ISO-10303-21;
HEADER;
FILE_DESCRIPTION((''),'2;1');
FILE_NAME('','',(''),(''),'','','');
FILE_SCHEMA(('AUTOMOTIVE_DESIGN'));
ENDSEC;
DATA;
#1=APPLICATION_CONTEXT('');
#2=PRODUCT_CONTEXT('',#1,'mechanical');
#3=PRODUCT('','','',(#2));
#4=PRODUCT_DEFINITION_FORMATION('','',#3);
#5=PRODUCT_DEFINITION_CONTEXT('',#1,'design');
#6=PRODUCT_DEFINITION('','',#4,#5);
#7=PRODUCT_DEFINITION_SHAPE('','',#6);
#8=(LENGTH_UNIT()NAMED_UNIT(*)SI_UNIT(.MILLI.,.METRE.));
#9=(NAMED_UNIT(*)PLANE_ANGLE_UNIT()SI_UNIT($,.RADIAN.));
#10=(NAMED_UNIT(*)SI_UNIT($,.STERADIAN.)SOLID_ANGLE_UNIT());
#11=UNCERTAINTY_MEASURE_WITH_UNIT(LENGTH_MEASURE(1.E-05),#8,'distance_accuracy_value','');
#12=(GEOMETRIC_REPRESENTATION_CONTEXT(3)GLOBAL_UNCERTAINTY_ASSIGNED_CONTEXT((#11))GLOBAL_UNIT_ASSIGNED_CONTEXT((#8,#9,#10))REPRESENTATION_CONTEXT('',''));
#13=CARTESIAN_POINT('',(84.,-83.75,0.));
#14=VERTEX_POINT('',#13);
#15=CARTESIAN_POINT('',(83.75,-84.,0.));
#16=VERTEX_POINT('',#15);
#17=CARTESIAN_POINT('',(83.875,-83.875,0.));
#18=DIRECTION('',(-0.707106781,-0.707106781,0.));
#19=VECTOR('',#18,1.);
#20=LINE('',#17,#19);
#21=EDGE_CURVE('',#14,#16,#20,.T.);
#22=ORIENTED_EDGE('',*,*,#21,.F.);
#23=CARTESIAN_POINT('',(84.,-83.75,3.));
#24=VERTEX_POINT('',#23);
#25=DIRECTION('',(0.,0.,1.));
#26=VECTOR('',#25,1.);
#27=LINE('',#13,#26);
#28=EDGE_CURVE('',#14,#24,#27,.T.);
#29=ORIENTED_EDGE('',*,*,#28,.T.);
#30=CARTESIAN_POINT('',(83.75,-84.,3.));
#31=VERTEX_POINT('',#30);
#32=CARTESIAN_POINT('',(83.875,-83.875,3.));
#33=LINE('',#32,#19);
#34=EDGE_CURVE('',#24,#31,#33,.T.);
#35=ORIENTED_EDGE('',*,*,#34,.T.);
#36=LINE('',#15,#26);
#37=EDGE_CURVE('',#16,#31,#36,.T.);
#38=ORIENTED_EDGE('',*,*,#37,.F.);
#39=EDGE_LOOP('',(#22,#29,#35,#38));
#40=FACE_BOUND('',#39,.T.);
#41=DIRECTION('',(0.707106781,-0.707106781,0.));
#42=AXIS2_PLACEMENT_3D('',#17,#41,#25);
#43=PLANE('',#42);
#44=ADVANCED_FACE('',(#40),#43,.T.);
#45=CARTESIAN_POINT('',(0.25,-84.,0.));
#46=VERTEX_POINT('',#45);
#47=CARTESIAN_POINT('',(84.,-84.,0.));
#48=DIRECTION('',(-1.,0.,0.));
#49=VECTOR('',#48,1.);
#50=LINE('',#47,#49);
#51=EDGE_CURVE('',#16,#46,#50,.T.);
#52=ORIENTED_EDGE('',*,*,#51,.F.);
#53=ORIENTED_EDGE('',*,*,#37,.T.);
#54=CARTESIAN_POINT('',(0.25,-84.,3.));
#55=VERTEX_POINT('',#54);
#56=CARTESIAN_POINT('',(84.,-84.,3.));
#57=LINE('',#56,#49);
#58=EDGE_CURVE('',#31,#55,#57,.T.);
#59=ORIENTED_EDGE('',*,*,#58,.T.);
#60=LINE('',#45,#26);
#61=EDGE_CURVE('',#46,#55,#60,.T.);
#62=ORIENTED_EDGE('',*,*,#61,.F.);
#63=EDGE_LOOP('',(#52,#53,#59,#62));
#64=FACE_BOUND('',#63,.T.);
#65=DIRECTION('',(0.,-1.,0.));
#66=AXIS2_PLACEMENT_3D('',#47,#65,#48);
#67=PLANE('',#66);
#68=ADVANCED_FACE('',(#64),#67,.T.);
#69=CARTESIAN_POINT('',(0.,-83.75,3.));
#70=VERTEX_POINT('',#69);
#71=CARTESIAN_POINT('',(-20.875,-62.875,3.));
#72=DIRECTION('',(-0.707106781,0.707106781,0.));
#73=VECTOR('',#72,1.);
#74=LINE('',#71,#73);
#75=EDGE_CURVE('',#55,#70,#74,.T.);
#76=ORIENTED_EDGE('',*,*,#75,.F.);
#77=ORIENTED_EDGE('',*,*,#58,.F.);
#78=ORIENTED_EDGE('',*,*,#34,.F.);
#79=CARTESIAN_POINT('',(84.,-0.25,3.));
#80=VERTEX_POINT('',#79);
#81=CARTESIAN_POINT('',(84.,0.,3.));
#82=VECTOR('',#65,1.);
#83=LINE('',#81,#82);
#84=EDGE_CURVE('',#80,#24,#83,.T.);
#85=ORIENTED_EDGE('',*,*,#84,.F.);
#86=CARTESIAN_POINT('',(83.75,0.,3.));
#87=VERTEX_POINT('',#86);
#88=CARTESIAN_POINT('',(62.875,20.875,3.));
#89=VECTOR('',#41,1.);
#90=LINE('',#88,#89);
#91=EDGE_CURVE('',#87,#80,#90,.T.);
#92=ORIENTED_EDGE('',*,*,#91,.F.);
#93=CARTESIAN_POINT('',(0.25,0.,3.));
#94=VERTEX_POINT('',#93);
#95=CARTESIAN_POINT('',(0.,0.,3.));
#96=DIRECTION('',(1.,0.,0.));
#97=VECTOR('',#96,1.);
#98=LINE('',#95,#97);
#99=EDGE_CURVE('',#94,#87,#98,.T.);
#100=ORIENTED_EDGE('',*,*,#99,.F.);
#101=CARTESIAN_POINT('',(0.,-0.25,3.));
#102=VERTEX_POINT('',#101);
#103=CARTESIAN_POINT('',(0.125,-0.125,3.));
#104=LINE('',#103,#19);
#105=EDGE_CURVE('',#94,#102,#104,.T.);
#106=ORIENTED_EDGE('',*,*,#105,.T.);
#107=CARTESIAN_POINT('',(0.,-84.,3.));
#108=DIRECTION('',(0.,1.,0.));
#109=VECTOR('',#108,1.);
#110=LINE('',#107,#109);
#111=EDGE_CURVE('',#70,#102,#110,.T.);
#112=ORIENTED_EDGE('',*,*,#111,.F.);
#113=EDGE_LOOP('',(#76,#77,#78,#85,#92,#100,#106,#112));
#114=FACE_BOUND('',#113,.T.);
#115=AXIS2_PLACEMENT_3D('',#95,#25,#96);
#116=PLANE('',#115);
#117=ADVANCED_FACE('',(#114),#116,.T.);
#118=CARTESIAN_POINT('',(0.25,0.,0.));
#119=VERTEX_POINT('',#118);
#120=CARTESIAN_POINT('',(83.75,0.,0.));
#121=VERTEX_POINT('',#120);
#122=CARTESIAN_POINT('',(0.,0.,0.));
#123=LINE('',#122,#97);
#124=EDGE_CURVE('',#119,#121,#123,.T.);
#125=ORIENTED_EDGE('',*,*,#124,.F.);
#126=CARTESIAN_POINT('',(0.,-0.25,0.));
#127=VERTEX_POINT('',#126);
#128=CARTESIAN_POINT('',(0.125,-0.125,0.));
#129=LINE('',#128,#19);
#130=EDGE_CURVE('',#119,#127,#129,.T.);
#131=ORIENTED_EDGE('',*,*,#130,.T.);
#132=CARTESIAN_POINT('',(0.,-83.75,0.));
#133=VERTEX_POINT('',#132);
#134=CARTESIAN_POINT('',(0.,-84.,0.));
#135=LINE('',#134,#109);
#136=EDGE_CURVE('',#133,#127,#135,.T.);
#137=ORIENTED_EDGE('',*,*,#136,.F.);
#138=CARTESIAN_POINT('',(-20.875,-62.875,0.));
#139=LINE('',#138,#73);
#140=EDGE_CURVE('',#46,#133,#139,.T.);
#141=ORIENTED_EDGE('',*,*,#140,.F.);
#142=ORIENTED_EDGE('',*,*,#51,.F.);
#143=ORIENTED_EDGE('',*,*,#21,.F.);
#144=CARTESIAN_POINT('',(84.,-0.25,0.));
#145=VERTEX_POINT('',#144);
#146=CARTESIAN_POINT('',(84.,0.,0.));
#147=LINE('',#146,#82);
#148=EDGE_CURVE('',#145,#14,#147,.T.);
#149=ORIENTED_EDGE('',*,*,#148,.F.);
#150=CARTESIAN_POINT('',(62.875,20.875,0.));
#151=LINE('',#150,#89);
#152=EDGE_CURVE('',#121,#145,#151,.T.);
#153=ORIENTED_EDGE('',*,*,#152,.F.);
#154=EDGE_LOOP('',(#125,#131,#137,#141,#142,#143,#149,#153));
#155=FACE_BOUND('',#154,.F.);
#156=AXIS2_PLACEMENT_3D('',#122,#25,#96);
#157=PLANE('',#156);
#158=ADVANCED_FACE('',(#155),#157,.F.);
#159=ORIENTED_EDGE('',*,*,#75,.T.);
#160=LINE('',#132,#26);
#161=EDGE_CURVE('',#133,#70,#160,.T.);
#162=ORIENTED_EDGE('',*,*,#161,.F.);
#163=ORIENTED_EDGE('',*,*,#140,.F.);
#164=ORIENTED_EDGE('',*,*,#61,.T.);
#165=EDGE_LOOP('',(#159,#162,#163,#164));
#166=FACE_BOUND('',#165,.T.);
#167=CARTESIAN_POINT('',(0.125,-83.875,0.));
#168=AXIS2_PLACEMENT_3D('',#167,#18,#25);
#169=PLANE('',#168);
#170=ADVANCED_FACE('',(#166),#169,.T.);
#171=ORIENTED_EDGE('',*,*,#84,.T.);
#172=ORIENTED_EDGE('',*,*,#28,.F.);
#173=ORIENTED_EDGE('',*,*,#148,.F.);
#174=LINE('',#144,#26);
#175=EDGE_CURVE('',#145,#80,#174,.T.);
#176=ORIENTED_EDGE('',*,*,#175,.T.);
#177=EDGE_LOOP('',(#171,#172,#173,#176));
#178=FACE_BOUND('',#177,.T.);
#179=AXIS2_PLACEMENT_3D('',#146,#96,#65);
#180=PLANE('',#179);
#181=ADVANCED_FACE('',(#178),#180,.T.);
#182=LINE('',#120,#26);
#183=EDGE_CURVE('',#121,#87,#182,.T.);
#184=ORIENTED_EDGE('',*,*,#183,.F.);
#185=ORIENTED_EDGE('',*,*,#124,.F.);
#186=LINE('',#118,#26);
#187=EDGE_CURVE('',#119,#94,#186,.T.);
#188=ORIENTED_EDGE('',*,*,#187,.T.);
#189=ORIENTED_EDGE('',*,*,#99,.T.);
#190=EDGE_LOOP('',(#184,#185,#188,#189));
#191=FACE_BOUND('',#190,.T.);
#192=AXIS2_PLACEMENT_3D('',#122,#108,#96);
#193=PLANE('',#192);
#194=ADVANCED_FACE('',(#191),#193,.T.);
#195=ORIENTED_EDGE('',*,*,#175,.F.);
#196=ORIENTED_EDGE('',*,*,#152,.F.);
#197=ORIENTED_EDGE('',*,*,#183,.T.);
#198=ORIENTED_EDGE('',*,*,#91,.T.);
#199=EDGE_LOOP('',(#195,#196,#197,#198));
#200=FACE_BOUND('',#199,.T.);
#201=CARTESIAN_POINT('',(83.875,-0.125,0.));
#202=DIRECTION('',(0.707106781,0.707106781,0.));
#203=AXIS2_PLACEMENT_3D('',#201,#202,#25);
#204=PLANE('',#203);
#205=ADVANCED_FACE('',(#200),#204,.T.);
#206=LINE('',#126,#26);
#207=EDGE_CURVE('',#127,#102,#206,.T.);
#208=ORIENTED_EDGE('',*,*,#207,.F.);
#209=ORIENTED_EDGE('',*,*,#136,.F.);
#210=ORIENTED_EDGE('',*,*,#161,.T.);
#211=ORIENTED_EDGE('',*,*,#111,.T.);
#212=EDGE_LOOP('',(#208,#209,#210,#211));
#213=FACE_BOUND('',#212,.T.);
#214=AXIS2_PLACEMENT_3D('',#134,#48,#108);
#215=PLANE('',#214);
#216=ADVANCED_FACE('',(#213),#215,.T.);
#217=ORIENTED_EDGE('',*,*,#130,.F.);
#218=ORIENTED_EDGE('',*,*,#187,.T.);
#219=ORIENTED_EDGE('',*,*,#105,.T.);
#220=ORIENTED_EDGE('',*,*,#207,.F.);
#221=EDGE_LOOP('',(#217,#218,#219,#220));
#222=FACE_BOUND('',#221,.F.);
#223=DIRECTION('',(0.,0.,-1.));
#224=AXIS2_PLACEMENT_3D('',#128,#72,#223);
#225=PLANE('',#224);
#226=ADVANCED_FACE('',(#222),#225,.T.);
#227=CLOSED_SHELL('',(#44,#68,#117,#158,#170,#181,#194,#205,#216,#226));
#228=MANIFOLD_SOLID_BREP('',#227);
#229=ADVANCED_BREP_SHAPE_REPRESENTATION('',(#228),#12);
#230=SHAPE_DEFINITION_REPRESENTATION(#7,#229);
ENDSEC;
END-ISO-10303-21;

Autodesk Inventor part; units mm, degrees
ref_plane "YZ Plane" through (0, 0, 0) normal (1, 0, 0) x (0, 1, 0)
ref_plane "XZ Plane" through (0, 0, 0) normal (0, 1, 0) x (-1, 0, 0)
ref_plane "XY Plane" through (0, 0, 0) normal (0, 0, 1) x (1, 0, 0)
sketch "Sketch1" plane through (0, 0, 0) normal (0, 0, 1) x (1, 0, 0)
  line L0 (0, 0) -> (84, 0)
  line L1 (84, 0) -> (84, -84)
  line L2 (84, -84) -> (0, -84)
  line L3 (0, -84) -> (0, 0)
  dimension "d0" = 84
  dimension "d1" = 84
extrude "Extrusion1" add sketch "Sketch1" along normal blind 3
sketch "Sketch4" plane through (0, 0, 3) normal (0, 0, 1) x (1, 0, 0)
  line L0 (37.1993, -33.2294) -> (41.6014, -35.7961)
  line L1 (41.6014, -35.7961) -> (45.8654, -33.3061)
  line L2 (45.8654, -33.3061) -> (45.8781, -38.2734)
  line L3 (45.8781, -38.2734) -> (46.1686, -38.2768)
  line L4 (46.1686, -38.2768) -> (46.184, -33.1688)
  line L5 (46.184, -33.1688) -> (50.4528, -35.5818)
  line L6 (50.4528, -35.5818) -> (50.4793, -45.8437)
  line L7 (50.4793, -45.8437) -> (46.1838, -48.2415)
  line L8 (46.1838, -48.2415) -> (46.1838, -43.0247)
  line L9 (46.1838, -43.0247) -> (41.6014, -45.6918)
  line L10 (41.6014, -45.6918) -> (41.6014, -50.9599)
  line L11 (41.6014, -50.9599) -> (37.1784, -53.4769)
  line L12 (37.1784, -53.4769) -> (32.763, -50.9128)
  line L13 (32.763, -50.9128) -> (32.7791, -45.9754)
  line L14 (32.7791, -45.9754) -> (37.2675, -48.5495)
  line L15 (37.2675, -48.5495) -> (37.4003, -48.2932)
  line L16 (37.4003, -48.2932) -> (32.9437, -45.7029)
  line L17 (32.9437, -45.7029) -> (37.2048, -43.2163)
  line L18 (37.2048, -43.2163) -> (37.1993, -33.2294)
  spline S0 degree 3 poles (45.8868, -43.4973) (45.8887, -43.4963) (45.8911, -43.4963) (45.8929, -43.4973) knots 0 0 0 0 1 1 1 1
  line L19 (45.8868, -43.4973) -> (45.8887, -43.4963) construction
  line L20 (45.8887, -43.4963) -> (45.8911, -43.4963) construction
  line L21 (45.8911, -43.4963) -> (45.8929, -43.4973) construction
  spline S1 degree 3 poles (45.8929, -43.4973) (45.8948, -43.4984) (45.8961, -43.5005) (45.8961, -43.5026) knots 0 0 0 0 1 1 1 1
  line L22 (45.8929, -43.4973) -> (45.8948, -43.4984) construction
  line L23 (45.8948, -43.4984) -> (45.8961, -43.5005) construction
  line L24 (45.8961, -43.5005) -> (45.8961, -43.5026) construction
  line L25 (41.7369, -45.9267) -> (45.8961, -48.3358)
  line L26 (45.8961, -48.3358) -> (41.7369, -45.9267)
  line L27 (45.8961, -43.5026) -> (45.8961, -48.3358)
  line L28 (45.8961, -48.3358) -> (45.8837, -43.5132)
  line L29 (45.8837, -43.5132) -> (41.7369, -45.9267)
  line L30 (41.7369, -45.9267) -> (45.8929, -43.4973)
  line L31 (45.8929, -43.4973) -> (45.8961, -48.3358)
  line L32 (45.8961, -48.3358) -> (41.7369, -45.9267)
  spline S2 degree 3 poles (33.4713, -27.5312) (38.6612, -24.5702) (45.0282, -24.566) (50.2413, -27.52) knots 0 0 0 0 1 1 1 1
  line L33 (33.4713, -27.5312) -> (38.6612, -24.5702) construction
  line L34 (38.6612, -24.5702) -> (45.0282, -24.566) construction
  line L35 (45.0282, -24.566) -> (50.2413, -27.52) construction
  line L36 (41.6014, -35.4897) -> (37.3337, -33.0013)
  line L37 (37.3337, -33.0013) -> (41.5995, -30.5274)
  line L38 (41.5995, -30.5274) -> (45.8654, -32.9997)
  spline S3 degree 3 poles (50.4139, -27.6184) (55.5902, -30.5671) (58.7866, -36.0662) (58.7866, -42.0236) knots 0 0 0 0 1 1 1 1
  line L39 (50.4139, -27.6184) -> (55.5902, -30.5671) construction
  line L40 (55.5902, -30.5671) -> (58.7866, -36.0662) construction
  line L41 (58.7866, -36.0662) -> (58.7866, -42.0236) construction
  spline S4 degree 3 poles (58.7866, -42.0236) (58.7866, -47.981) (55.5902, -53.4801) (50.4139, -56.4288) knots 0 0 0 0 1 1 1 1
  line L42 (58.7866, -42.0236) -> (58.7866, -47.981) construction
  line L43 (58.7866, -47.981) -> (55.5902, -53.4801) construction
  line L44 (55.5902, -53.4801) -> (50.4139, -56.4288) construction
  line L45 (50.2413, -27.52) -> (50.4139, -27.6184)
  spline S5 degree 3 poles (50.2557, -56.5189) (45.0321, -59.4881) (38.6652, -59.4924) (33.4713, -56.5383) knots 0 0 0 0 1 1 1 1
  line L46 (50.2557, -56.5189) -> (45.0321, -59.4881) construction
  line L47 (45.0321, -59.4881) -> (38.6652, -59.4924) construction
  line L48 (38.6652, -59.4924) -> (33.4713, -56.5383) construction
  line L49 (50.4139, -56.4288) -> (50.2557, -56.5189)
  spline S6 degree 3 poles (33.2987, -56.44) (28.1224, -53.4912) (24.926, -47.9921) (24.926, -42.0348) knots 0 0 0 0 1 1 1 1
  line L50 (33.2987, -56.44) -> (28.1224, -53.4912) construction
  line L51 (28.1224, -53.4912) -> (24.926, -47.9921) construction
  line L52 (24.926, -47.9921) -> (24.926, -42.0348) construction
  spline S7 degree 3 poles (24.926, -42.0348) (24.926, -36.0774) (28.1224, -30.5783) (33.2987, -27.6295) knots 0 0 0 0 1 1 1 1
  line L53 (24.926, -42.0348) -> (24.926, -36.0774) construction
  line L54 (24.926, -36.0774) -> (28.1224, -30.5783) construction
  line L55 (28.1224, -30.5783) -> (33.2987, -27.6295) construction
  line L56 (33.4713, -56.5383) -> (33.2987, -56.44)
  line L57 (33.2987, -27.6295) -> (33.4713, -27.5312)
  point P0 (0, 0)
chamfer "Chamfer1" distance 0.25 angle 45 4 edges at (0, 0, 1.5) (84, 0, 1.5) (84, -84, 1.5) (0, -84, 1.5)
properties part number "ScanCover"
